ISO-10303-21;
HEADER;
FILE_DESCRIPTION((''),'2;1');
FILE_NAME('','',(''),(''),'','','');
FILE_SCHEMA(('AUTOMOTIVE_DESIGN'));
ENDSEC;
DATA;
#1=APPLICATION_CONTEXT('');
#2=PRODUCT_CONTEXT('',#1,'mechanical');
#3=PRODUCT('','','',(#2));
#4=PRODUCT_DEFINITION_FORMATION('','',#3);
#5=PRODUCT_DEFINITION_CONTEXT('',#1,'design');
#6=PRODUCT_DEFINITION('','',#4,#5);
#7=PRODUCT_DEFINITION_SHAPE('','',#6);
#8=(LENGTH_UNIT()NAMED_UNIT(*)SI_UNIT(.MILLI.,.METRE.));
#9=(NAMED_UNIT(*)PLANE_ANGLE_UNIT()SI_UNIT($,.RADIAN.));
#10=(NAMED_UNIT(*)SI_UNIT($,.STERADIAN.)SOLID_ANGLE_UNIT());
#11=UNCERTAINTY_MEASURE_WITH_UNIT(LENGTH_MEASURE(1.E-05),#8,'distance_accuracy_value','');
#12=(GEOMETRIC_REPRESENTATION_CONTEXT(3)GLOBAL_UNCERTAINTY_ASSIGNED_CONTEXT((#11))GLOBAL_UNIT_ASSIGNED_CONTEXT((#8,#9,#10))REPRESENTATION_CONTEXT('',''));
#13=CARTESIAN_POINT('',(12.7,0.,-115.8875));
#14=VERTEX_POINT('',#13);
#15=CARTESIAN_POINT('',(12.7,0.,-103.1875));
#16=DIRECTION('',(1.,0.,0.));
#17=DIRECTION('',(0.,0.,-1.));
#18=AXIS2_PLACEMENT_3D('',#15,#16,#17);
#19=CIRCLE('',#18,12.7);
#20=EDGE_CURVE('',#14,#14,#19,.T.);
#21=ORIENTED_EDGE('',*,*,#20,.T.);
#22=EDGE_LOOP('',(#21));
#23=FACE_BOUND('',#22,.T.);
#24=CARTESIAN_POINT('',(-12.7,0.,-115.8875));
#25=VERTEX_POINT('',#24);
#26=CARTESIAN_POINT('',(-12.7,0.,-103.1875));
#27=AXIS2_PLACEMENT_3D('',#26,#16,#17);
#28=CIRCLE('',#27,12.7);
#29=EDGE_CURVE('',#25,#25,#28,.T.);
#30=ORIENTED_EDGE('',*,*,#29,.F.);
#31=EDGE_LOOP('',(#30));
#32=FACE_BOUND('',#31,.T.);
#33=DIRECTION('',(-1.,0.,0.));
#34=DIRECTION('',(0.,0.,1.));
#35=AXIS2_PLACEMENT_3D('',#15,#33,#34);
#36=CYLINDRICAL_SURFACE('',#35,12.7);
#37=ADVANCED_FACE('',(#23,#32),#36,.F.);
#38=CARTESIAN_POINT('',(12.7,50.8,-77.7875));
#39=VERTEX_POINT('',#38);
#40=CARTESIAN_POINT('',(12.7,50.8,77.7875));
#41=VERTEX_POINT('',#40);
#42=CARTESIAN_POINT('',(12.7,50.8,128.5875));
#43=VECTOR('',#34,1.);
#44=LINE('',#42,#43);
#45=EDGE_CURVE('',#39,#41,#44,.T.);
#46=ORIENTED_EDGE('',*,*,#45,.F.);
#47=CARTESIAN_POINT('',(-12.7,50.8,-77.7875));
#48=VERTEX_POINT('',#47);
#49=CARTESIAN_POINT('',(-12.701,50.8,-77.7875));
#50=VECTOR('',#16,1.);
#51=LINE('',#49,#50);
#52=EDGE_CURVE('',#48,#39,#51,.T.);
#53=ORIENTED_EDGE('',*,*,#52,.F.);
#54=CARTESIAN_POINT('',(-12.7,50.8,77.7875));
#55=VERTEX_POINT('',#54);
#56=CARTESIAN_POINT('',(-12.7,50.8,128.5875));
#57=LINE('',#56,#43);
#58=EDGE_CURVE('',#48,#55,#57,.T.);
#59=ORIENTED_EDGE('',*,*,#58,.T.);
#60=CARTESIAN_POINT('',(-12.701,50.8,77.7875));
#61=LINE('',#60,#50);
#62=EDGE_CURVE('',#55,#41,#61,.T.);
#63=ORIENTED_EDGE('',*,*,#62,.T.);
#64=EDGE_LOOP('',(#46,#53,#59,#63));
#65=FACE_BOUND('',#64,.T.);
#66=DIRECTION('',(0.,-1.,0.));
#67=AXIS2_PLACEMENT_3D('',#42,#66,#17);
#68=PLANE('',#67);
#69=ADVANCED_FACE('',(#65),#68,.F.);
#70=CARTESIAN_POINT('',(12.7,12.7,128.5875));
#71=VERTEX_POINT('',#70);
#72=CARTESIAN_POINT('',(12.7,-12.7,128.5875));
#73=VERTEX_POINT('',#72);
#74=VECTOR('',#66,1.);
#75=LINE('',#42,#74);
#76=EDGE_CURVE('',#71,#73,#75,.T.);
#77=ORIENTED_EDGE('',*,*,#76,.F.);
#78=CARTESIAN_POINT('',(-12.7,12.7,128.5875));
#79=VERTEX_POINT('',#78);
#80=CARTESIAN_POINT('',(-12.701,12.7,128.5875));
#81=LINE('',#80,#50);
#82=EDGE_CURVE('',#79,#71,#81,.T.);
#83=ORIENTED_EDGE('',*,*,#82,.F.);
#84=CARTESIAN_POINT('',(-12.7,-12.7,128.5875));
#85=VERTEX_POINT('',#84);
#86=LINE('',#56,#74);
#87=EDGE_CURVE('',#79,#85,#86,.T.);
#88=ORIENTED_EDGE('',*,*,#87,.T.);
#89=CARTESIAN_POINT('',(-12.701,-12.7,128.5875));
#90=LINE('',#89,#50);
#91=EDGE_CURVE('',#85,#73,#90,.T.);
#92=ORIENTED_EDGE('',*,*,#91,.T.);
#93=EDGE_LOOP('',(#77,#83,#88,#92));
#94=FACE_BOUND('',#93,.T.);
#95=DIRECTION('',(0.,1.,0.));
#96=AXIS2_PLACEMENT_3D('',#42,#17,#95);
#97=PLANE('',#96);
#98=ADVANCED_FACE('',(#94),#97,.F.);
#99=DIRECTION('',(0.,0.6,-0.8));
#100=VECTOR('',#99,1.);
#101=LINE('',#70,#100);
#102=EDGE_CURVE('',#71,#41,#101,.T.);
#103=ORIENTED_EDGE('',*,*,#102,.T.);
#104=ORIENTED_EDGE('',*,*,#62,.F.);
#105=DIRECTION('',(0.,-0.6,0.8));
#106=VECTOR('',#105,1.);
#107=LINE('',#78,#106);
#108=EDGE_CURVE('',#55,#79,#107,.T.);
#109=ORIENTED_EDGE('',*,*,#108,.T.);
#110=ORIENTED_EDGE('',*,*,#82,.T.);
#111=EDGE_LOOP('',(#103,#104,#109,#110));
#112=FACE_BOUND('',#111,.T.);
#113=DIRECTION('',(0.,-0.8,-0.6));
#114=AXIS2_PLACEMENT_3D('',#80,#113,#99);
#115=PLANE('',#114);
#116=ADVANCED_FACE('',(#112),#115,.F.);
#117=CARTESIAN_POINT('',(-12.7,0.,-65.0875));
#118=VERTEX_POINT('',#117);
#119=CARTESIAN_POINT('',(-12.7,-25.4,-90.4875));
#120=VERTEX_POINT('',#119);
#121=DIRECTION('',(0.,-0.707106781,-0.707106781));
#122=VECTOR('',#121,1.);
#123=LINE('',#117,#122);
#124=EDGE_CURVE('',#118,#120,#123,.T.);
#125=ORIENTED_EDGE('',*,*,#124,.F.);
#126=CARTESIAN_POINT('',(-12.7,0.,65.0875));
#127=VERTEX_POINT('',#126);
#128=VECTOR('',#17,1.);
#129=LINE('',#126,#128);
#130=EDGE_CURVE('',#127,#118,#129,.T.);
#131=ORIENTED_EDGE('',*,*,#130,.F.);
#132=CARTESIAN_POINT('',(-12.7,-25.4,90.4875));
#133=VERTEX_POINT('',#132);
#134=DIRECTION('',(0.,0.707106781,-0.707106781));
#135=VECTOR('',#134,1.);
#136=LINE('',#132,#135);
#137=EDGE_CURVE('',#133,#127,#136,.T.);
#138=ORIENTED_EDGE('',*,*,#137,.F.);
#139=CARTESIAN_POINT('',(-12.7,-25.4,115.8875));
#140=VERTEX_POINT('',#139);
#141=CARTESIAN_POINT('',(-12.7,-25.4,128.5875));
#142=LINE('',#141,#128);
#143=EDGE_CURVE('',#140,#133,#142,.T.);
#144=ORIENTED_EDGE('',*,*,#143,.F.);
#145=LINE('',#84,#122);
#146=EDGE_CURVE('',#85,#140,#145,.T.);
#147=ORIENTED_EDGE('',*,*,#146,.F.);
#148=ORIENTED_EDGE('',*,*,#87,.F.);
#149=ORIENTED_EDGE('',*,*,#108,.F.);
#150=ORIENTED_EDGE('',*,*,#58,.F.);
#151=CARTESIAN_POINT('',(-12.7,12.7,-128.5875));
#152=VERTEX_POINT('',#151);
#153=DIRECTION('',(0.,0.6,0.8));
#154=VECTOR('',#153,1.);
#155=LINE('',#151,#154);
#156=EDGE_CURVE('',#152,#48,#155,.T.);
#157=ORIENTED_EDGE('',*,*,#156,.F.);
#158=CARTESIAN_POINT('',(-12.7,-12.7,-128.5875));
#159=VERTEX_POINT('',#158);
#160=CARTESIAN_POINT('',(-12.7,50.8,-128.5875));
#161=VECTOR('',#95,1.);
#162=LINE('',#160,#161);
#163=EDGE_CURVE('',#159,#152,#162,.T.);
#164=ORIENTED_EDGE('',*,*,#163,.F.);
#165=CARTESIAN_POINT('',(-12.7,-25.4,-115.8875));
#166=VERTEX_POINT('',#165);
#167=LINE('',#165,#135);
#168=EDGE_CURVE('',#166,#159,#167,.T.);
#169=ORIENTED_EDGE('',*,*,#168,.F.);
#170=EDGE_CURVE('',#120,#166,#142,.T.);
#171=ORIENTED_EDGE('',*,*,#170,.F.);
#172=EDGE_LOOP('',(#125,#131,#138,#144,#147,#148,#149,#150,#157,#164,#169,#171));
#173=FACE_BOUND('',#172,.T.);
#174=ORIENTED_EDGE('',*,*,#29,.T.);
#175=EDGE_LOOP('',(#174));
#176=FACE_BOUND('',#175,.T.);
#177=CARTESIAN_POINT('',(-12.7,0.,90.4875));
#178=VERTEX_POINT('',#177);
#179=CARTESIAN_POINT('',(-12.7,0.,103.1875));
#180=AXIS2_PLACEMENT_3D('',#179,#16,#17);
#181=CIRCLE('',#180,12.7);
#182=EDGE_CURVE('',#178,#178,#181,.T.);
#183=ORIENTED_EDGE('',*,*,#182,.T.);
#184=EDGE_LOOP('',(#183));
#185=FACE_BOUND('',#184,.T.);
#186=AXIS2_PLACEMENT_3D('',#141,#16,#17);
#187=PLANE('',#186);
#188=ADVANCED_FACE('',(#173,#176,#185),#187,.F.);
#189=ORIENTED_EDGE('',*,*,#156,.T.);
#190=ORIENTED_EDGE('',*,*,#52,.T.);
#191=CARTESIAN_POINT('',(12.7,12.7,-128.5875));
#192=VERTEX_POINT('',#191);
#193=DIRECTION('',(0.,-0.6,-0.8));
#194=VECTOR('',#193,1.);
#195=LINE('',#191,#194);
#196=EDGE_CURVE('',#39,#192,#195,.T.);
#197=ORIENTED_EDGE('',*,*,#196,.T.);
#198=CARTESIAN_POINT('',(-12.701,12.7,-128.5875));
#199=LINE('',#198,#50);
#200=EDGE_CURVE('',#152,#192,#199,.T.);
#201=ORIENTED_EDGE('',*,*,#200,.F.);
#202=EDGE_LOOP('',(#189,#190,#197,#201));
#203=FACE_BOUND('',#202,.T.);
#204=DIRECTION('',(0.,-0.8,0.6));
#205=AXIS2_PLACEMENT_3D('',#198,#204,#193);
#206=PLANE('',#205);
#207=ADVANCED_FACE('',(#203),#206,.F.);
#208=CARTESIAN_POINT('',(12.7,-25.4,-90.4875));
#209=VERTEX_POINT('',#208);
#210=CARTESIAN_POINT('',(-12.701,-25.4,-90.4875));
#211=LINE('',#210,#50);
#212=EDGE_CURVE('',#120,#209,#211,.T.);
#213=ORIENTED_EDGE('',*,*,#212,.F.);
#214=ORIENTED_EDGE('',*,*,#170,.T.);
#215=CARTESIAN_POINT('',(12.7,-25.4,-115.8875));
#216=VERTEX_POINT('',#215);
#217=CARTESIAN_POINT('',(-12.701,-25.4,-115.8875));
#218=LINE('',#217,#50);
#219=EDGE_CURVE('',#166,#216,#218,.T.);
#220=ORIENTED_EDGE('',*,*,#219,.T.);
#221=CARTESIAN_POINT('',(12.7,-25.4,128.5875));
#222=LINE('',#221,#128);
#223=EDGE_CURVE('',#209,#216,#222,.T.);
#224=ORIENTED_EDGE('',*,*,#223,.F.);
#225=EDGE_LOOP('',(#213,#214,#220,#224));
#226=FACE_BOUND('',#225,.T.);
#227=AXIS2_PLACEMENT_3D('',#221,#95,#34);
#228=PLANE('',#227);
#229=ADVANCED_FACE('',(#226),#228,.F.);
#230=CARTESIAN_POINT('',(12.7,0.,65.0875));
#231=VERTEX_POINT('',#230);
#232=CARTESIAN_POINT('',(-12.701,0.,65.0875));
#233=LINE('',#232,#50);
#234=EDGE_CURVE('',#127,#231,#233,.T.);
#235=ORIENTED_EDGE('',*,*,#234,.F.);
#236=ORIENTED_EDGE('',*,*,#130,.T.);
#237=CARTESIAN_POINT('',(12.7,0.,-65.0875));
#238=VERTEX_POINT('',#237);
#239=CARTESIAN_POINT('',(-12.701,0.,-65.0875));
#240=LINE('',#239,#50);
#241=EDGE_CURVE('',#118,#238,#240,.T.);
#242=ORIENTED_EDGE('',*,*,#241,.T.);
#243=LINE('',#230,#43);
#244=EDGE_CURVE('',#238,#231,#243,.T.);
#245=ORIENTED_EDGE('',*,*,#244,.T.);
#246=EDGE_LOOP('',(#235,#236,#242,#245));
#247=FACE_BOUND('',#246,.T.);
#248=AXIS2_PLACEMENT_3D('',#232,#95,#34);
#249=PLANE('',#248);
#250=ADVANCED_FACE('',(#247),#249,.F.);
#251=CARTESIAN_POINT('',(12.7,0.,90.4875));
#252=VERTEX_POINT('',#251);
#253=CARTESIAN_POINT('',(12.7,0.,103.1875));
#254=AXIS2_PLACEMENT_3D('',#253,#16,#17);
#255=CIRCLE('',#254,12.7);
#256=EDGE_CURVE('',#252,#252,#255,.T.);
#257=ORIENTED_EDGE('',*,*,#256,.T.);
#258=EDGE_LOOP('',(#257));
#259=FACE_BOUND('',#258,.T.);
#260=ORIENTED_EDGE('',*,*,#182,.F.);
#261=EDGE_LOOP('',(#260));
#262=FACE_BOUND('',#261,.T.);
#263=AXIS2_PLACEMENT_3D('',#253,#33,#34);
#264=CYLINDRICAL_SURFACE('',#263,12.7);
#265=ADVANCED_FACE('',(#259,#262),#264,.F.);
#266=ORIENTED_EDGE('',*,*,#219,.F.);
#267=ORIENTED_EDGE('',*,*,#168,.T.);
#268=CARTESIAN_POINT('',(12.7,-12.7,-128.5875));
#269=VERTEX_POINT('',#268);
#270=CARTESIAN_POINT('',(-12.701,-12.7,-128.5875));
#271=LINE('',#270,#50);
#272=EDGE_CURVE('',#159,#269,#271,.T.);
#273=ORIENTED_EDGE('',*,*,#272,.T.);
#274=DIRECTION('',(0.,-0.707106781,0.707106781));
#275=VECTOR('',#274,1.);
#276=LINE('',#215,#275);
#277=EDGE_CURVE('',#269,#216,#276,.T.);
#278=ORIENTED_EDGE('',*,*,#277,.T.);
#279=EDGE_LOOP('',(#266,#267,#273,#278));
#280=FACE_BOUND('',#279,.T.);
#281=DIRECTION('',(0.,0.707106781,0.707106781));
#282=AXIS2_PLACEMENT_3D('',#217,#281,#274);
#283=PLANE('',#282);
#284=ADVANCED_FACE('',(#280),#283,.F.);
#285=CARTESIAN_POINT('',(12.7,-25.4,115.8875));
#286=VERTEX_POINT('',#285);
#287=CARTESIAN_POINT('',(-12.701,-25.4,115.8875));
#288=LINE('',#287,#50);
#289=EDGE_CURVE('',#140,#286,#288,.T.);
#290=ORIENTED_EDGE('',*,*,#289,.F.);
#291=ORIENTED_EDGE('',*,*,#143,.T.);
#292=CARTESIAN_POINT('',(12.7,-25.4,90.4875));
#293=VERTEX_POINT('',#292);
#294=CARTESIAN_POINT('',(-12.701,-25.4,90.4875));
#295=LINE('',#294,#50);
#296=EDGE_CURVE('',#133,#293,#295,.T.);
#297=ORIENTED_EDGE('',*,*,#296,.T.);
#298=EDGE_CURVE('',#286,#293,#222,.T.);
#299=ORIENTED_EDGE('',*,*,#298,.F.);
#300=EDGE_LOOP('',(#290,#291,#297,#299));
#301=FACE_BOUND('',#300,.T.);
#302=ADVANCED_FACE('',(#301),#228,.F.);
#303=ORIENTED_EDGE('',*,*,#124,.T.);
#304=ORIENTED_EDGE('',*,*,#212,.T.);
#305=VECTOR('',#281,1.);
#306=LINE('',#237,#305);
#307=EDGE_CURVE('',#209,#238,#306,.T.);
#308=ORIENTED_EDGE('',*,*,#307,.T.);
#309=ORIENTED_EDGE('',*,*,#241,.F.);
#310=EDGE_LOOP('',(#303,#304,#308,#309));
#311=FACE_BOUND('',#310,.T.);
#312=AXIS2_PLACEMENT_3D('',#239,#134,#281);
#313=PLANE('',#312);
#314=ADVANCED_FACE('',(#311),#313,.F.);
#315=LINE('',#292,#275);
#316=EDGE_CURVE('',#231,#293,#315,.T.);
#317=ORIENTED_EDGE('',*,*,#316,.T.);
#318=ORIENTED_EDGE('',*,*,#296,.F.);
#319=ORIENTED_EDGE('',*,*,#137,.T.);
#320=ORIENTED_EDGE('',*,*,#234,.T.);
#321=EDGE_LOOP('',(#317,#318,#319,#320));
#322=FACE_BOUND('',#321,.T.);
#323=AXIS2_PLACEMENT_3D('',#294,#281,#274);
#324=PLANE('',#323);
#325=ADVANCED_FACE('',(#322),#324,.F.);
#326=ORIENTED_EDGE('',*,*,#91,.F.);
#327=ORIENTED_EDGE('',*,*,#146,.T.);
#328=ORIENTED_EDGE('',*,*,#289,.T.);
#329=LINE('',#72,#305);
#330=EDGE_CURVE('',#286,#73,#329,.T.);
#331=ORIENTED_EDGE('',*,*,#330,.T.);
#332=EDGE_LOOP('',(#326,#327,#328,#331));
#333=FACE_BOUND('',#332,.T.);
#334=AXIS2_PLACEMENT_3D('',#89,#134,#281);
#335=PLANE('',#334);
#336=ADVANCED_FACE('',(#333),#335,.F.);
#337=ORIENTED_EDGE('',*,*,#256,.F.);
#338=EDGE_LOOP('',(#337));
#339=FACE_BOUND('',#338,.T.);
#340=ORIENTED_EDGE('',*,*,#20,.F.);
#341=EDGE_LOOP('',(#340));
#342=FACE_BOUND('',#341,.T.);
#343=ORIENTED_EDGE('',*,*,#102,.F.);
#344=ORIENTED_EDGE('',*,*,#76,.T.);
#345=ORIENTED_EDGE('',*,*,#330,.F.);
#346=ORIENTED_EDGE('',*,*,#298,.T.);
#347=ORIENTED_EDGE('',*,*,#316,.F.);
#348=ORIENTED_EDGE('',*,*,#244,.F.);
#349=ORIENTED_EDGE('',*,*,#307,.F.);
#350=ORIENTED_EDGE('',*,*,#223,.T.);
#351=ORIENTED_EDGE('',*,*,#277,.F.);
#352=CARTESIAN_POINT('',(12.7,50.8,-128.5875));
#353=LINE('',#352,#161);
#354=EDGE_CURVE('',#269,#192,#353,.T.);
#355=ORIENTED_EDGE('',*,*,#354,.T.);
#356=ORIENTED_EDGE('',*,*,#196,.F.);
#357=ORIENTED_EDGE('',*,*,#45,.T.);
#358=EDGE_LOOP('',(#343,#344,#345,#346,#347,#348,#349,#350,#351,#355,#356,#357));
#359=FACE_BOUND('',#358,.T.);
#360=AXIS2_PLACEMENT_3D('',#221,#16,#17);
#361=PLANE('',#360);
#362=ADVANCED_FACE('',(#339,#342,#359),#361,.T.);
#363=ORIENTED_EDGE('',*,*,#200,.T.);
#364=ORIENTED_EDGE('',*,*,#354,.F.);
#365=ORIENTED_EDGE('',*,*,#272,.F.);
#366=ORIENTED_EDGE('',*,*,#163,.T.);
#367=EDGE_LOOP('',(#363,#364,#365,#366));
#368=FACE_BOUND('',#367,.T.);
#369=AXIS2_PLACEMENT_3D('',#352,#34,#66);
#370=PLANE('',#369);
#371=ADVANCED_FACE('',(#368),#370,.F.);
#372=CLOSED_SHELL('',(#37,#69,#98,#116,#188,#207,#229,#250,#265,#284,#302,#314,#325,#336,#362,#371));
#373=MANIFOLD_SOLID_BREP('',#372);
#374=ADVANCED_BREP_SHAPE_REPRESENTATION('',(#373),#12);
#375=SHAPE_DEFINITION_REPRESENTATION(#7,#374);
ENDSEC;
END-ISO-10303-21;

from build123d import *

# Parameters (mm, degrees)
SKETCH1_W          = 257.175
SKETCH1_H          = 76.2
SKETCH1_R          = 12.7
EXTRUDE1_DEPTH     = 12.7
CUT_EXTRUDE2_REACH = 142.572


with BuildPart() as part:
    # Sketch1 → Extrude1 (new, symmetric)
    with BuildSketch(Plane(origin=(0, 0, 0), x_dir=(0, 0, -1), z_dir=(1, 0, 0))):
        with Locations((0, 12.7)):
            Rectangle(SKETCH1_W, SKETCH1_H)
        with Locations((-103.1875, 0)):
            Circle(SKETCH1_R, mode=Mode.SUBTRACT)
        with Locations((103.1875, 0)):
            Circle(SKETCH1_R, mode=Mode.SUBTRACT)
    extrude(amount=EXTRUDE1_DEPTH, both=True)

    # Sketch2 → Cut-Extrude2 (cut, up to next)
    with BuildSketch(Plane(origin=(12.7, 0, 0), x_dir=(0, 0, -1), z_dir=(1, 0, 0)), mode=Mode.PRIVATE) as cut_extrude2_sk1:
        Polygon((-90.4875, -25.4), (-65.0875, 0), (65.0875, 0), (90.4875, -25.4), align=None)
    cut_extrude2_tool1 = extrude(cut_extrude2_sk1.sketch, amount=-CUT_EXTRUDE2_REACH, mode=Mode.PRIVATE) & part.part
    # Sketch2 → Cut-Extrude2 (cut, up to next)
    with BuildSketch(Plane(origin=(12.7, 0, 0), x_dir=(0, 0, -1), z_dir=(1, 0, 0)), mode=Mode.PRIVATE) as cut_extrude2_sk2:
        Polygon((-128.5875, 50.8), (-128.5875, 12.7), (-77.7875, 50.8), align=None)
    cut_extrude2_tool2 = extrude(cut_extrude2_sk2.sketch, amount=-CUT_EXTRUDE2_REACH, mode=Mode.PRIVATE) & part.part
    # Sketch2 → Cut-Extrude2 (cut, up to next)
    with BuildSketch(Plane(origin=(12.7, 0, 0), x_dir=(0, 0, -1), z_dir=(1, 0, 0)), mode=Mode.PRIVATE) as cut_extrude2_sk3:
        Polygon((77.7875, 50.8), (128.5875, 50.8), (128.5875, 12.7), align=None)
    cut_extrude2_tool3 = extrude(cut_extrude2_sk3.sketch, amount=-CUT_EXTRUDE2_REACH, mode=Mode.PRIVATE) & part.part
    # Sketch2 → Cut-Extrude2 (cut, up to next)
    with BuildSketch(Plane(origin=(12.7, 0, 0), x_dir=(0, 0, -1), z_dir=(1, 0, 0)), mode=Mode.PRIVATE) as cut_extrude2_sk4:
        Polygon((-128.5875, -25.4), (-128.5875, -12.7), (-115.8875, -25.4), align=None)
    cut_extrude2_tool4 = extrude(cut_extrude2_sk4.sketch, amount=-CUT_EXTRUDE2_REACH, mode=Mode.PRIVATE) & part.part
    # Sketch2 → Cut-Extrude2 (cut, up to next)
    with BuildSketch(Plane(origin=(12.7, 0, 0), x_dir=(0, 0, -1), z_dir=(1, 0, 0)), mode=Mode.PRIVATE) as cut_extrude2_sk5:
        Polygon((128.5875, -12.7), (128.5875, -25.4), (115.8875, -25.4), align=None)
    cut_extrude2_tool5 = extrude(cut_extrude2_sk5.sketch, amount=-CUT_EXTRUDE2_REACH, mode=Mode.PRIVATE) & part.part
    add(cut_extrude2_tool1.solids().sort_by_distance((12.7, -13.391156, 0))[0], mode=Mode.SUBTRACT)
    add(cut_extrude2_tool2.solids().sort_by_distance((12.7, 38.1, 111.654167))[0], mode=Mode.SUBTRACT)
    add(cut_extrude2_tool3.solids().sort_by_distance((12.7, 38.1, -111.654167))[0], mode=Mode.SUBTRACT)
    add(cut_extrude2_tool4.solids().sort_by_distance((12.7, -21.166667, 124.354167))[0], mode=Mode.SUBTRACT)
    add(cut_extrude2_tool5.solids().sort_by_distance((12.7, -21.166667, -124.354167))[0], mode=Mode.SUBTRACT)


solid = part.part
